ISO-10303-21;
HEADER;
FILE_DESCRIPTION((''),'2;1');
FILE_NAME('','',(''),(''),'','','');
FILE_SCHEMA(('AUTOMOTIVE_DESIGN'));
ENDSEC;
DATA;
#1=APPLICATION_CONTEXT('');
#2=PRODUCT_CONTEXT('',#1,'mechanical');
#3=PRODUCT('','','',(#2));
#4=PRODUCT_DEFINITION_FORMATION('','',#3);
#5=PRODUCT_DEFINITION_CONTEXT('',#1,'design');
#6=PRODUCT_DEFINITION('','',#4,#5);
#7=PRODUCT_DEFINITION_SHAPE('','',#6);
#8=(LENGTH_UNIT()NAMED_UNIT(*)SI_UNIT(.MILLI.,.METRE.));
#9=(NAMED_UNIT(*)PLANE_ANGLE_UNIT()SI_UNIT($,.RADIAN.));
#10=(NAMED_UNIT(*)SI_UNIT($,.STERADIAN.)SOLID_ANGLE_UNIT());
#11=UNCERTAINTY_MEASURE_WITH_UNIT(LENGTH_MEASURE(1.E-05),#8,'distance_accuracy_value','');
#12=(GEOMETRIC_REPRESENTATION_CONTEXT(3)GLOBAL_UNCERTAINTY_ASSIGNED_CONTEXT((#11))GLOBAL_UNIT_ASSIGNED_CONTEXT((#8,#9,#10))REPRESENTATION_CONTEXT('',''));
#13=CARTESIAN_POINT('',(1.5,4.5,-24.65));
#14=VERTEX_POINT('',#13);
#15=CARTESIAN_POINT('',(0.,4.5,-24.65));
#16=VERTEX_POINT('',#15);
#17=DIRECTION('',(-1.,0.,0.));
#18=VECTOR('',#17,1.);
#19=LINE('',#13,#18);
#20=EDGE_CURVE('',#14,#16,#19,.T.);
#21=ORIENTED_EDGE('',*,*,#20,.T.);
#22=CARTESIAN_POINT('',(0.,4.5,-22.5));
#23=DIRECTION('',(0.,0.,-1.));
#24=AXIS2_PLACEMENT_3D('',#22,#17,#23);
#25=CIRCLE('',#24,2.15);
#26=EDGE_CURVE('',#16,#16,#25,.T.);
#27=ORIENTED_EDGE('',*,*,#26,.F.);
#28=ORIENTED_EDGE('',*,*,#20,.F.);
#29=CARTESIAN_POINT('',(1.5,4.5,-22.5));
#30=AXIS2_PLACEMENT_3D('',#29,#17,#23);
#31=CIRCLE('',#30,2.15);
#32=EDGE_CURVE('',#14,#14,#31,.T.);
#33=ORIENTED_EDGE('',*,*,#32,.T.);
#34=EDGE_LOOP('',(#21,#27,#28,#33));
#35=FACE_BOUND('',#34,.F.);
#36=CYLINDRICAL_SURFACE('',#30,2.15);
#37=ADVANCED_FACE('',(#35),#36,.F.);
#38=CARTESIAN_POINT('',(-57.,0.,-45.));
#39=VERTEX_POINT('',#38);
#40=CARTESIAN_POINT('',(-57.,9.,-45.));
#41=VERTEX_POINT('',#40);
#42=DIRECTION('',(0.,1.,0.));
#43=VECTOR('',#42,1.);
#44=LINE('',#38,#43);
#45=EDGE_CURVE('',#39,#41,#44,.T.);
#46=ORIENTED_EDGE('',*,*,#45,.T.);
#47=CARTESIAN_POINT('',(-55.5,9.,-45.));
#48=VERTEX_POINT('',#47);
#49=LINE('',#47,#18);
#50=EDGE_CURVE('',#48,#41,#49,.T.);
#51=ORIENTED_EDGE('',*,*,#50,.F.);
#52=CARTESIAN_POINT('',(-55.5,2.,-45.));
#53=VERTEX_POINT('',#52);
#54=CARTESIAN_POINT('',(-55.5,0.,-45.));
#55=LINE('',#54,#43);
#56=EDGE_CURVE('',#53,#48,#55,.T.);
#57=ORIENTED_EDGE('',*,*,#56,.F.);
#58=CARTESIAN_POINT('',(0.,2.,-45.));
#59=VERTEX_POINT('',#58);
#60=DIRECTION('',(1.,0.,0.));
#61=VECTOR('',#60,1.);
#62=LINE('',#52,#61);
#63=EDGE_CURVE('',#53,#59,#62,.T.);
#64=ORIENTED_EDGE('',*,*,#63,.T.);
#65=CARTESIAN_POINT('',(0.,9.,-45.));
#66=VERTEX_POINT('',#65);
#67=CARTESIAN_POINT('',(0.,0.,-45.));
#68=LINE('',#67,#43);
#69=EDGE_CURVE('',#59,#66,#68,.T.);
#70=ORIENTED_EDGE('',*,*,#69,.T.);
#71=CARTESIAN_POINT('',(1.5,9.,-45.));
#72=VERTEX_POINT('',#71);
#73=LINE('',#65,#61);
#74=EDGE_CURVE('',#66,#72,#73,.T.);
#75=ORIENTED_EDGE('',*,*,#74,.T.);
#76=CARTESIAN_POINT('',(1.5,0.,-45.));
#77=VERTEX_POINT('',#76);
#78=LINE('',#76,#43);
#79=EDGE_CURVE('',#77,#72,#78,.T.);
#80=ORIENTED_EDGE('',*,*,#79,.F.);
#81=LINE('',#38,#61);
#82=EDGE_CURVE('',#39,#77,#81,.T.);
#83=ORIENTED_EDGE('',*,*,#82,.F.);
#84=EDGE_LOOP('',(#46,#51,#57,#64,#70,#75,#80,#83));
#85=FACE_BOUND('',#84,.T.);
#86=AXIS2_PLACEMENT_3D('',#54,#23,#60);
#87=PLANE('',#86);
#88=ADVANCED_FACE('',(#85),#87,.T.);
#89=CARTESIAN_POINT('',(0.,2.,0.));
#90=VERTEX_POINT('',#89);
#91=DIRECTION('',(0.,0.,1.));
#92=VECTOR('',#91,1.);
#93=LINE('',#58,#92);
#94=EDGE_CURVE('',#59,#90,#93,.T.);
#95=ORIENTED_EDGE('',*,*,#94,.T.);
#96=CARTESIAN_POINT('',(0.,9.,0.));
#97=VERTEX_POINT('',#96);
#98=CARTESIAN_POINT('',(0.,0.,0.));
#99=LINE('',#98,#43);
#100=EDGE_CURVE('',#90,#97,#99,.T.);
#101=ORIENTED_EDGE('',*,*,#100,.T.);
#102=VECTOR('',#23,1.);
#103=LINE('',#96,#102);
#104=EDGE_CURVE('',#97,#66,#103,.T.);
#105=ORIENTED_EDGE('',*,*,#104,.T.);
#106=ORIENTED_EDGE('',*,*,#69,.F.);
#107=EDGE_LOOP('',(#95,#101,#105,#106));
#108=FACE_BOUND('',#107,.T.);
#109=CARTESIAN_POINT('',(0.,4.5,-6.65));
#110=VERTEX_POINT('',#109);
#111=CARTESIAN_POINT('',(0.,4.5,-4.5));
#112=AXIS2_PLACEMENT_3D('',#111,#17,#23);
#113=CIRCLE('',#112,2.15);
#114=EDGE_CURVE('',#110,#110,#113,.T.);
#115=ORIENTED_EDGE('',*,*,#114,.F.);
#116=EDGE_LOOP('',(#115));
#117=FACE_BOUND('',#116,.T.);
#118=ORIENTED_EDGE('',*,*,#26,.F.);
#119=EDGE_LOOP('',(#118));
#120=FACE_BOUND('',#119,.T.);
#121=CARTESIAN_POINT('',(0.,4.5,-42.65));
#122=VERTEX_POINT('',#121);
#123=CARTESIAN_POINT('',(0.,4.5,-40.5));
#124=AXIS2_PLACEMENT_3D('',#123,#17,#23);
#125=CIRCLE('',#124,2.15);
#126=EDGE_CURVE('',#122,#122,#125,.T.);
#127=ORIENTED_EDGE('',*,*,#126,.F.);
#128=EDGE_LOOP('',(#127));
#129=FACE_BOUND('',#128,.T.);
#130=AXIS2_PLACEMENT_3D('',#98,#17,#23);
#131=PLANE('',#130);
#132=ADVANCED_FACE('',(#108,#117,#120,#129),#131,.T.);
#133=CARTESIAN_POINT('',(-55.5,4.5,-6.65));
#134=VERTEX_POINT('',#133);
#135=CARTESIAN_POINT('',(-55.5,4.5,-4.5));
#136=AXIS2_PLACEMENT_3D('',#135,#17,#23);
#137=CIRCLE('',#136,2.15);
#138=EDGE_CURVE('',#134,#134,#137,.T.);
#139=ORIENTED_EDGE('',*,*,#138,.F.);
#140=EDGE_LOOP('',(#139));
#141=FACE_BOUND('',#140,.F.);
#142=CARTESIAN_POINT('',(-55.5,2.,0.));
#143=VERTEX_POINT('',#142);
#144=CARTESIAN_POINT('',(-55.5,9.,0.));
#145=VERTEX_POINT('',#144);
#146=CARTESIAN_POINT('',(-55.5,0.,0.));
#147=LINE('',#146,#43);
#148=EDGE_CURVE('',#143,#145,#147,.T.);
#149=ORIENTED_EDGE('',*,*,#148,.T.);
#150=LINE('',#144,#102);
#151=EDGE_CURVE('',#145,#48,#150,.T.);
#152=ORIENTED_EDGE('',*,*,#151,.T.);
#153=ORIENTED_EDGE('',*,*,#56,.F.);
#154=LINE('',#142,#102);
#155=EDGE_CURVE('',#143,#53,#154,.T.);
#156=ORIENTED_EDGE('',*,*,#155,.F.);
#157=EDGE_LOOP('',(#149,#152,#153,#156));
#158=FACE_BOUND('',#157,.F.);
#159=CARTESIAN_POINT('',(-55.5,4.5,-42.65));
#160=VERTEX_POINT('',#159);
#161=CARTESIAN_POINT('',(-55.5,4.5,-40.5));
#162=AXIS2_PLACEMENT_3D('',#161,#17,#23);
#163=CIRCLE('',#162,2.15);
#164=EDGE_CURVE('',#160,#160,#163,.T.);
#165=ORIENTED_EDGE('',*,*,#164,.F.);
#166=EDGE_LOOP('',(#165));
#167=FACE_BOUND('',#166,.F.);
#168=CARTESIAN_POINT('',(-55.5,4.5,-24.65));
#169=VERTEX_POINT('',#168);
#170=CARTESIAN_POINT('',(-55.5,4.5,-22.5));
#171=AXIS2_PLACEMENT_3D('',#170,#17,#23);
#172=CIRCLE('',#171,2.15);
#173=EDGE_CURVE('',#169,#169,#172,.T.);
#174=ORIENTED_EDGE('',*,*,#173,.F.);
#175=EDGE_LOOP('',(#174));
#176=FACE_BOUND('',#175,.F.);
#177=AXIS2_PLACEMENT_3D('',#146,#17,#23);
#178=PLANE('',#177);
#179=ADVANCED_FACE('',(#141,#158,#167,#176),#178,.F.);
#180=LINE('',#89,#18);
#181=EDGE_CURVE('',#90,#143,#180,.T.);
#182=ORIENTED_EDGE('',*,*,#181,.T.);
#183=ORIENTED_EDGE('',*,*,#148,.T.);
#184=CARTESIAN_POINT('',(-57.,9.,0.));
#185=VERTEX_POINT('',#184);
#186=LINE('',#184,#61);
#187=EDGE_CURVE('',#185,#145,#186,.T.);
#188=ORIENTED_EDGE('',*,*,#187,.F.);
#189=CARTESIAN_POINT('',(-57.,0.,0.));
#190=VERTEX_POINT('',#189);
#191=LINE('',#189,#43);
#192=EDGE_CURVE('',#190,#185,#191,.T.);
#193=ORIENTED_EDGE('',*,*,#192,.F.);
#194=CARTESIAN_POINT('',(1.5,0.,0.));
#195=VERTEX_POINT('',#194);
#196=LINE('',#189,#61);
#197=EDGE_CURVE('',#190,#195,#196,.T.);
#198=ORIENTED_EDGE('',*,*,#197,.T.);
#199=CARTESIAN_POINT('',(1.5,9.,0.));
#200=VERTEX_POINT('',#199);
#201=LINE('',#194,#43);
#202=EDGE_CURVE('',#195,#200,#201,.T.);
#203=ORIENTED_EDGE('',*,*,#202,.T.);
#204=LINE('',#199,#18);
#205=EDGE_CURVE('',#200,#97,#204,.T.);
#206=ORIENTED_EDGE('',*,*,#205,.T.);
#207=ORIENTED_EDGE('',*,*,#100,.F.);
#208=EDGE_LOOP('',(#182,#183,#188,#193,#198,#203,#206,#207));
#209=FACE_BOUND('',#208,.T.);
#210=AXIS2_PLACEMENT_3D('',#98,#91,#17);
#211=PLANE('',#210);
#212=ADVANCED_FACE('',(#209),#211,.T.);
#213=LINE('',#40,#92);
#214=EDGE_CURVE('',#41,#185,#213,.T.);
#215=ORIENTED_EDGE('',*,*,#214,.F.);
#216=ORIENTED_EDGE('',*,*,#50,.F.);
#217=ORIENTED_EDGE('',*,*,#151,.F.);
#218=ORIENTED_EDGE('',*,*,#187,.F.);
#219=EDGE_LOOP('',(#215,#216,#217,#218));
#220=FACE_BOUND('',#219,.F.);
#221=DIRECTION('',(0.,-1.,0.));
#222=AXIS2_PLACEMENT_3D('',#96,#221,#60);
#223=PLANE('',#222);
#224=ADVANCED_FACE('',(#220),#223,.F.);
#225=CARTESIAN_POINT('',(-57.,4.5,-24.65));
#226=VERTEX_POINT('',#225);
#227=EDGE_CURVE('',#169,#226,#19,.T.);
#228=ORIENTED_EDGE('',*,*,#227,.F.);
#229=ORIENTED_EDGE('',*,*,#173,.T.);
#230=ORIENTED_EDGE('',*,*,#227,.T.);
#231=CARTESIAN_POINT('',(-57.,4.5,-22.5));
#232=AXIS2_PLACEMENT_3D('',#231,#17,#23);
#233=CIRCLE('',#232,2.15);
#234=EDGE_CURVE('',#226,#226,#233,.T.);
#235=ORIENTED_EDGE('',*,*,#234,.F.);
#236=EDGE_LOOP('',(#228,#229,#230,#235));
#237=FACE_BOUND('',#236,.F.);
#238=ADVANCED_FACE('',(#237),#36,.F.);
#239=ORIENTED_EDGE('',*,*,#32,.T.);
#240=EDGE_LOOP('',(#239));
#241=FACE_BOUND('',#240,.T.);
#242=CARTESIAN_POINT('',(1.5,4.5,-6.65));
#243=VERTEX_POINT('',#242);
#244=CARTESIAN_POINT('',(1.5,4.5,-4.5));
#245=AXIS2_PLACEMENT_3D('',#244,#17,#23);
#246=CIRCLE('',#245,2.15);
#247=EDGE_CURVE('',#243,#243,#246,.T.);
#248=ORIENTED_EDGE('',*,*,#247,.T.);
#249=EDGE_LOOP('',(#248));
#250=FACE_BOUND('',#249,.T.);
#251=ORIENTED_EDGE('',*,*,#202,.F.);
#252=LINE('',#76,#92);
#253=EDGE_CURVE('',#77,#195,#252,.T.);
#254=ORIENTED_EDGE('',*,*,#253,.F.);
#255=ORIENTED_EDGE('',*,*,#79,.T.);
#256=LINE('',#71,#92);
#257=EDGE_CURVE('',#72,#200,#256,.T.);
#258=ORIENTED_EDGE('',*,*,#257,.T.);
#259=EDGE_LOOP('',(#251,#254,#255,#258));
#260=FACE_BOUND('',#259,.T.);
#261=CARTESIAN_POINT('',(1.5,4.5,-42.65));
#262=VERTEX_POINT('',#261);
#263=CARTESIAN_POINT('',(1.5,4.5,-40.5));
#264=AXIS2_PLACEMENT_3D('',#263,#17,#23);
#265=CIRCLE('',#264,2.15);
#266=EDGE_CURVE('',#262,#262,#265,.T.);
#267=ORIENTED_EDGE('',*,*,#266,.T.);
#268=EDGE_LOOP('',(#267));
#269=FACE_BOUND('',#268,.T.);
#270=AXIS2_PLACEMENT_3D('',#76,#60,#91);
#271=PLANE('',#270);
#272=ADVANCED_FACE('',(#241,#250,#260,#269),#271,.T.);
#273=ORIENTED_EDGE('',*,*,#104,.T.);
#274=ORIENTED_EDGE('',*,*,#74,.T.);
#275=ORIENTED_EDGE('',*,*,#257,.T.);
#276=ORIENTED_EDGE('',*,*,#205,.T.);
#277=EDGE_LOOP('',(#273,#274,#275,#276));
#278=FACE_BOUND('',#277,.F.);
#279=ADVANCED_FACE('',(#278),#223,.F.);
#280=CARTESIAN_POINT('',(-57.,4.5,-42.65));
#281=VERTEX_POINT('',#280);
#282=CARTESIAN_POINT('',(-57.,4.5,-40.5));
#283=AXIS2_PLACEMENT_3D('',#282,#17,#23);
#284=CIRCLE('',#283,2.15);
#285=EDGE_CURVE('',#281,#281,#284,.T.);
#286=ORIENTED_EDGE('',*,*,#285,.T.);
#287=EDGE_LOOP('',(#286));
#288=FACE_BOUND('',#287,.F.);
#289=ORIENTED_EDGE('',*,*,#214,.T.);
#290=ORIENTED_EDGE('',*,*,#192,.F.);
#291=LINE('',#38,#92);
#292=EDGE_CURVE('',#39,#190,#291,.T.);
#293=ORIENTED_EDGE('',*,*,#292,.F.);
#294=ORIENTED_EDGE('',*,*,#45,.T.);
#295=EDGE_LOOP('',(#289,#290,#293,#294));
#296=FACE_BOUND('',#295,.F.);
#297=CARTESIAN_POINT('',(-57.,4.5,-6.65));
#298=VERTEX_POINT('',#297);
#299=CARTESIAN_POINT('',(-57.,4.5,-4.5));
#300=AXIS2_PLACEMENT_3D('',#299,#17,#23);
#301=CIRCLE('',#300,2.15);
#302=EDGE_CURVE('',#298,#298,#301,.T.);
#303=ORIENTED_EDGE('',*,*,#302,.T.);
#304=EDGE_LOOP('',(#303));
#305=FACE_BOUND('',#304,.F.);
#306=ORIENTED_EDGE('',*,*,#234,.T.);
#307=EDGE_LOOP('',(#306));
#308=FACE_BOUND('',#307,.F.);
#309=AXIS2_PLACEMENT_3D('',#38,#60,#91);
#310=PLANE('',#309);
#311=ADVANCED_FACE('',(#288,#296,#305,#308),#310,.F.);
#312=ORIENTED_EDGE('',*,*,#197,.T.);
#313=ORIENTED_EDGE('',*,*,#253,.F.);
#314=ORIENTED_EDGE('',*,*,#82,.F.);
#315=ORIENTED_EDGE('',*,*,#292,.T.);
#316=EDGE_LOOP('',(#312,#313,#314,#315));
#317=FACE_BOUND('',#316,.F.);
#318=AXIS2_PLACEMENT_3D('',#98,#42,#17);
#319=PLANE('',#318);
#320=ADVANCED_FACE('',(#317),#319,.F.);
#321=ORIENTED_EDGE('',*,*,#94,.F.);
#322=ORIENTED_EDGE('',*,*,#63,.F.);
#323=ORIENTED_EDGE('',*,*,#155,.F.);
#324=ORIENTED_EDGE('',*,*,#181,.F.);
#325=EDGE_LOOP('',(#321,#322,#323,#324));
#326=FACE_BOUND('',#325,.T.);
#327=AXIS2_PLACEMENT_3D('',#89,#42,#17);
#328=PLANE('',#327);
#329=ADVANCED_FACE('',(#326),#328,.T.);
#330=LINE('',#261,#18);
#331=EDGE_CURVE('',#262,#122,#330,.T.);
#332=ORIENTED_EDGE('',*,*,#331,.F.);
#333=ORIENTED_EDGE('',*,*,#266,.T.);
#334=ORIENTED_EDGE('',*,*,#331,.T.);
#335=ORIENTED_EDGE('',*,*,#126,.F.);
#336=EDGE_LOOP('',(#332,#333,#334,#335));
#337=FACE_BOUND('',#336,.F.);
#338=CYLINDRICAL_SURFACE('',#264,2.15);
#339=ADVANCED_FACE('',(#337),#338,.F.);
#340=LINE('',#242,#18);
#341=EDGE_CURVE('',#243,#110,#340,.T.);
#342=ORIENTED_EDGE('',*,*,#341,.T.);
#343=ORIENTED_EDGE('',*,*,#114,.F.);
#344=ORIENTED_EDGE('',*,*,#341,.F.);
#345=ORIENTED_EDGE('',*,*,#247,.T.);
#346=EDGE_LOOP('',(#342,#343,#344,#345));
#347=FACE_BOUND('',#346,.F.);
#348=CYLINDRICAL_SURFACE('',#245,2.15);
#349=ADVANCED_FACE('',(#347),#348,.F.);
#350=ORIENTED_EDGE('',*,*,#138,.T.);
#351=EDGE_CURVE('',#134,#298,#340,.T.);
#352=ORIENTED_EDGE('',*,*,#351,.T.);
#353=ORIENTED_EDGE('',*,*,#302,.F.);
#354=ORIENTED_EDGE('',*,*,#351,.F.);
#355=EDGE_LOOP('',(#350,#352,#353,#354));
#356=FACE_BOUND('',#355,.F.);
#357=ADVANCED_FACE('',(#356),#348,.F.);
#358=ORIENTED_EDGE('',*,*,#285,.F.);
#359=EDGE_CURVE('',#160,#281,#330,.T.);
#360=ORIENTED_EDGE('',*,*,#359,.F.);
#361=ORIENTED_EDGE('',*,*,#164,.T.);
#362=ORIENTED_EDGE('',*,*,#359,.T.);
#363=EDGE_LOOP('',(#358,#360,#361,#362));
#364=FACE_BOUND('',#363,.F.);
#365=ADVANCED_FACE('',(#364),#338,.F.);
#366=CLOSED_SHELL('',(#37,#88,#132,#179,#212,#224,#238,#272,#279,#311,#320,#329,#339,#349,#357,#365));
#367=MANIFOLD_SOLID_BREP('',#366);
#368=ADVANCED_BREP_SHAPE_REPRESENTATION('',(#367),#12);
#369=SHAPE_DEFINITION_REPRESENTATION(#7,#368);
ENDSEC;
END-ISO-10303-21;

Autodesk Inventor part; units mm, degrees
ref_plane "YZ Plane" through (0, 0, 0) normal (1, 0, 0) x (0, 1, 0)
ref_plane "XZ Plane" through (0, 0, 0) normal (0, 1, 0) x (-1, 0, 0)
ref_plane "XY Plane" through (0, 0, 0) normal (0, 0, 1) x (1, 0, 0)
sketch "Sketch1" plane through (0, 0, 0) normal (0, 1, 0) x (-1, 0, 0)
  line L0 (0, 0) -> (55.5, 0)
  line L1 (55.5, 0) -> (55.5, -45)
  line L2 (55.5, -45) -> (0, -45)
  line L3 (0, -45) -> (0, 0)
  dimension "d0" = 55.5
  dimension "d1" = 45
extrude "Extrusion1" add sketch "Sketch1" along normal blind 2
sketch "Sketch2" plane through (0, 0, 0) normal (0, -1, 0) x (1, 0, 0)
  line L0 (0, -45) -> (-55.5, -45) projected
  line L1 (-55.5, -45) -> (-57, -45)
  line L2 (-57, -45) -> (-57, 0)
  line L3 (-57, 0) -> (-55.5, 0)
  line L4 (-55.5, 0) -> (-55.5, -45)
  line L5 (0, 0) -> (0, -45) projected
  line L6 (0, -45) -> (1.5, -45)
  line L7 (1.5, -45) -> (1.5, 0)
  line L8 (1.5, 0) -> (0, 0)
  line L9 (0, 0) -> (0, -45)
  dimension "d4" = 1.5
  dimension "d5" = 1.5
extrude "Extrusion2" add sketch "Sketch2" against normal blind 9
sketch "Sketch3" plane through (1.5, 0, 0) normal (1, 0, 0) x (0, 0, -1)
  circle A0 centre (4.5, 4.5) radius 2.15
  line L0 (45, 0) -> (0, 0) projected
  line L1 (0, 0) -> (0, 9) projected
  circle A1 centre (40.5, 4.5) radius 2.15
  line L2 (45, 0) -> (45, 9) projected
  circle A2 centre (22.5, 4.5) radius 2.15
  dimension "d8" = 4.3
  dimension "d9" = 4.5
  dimension "d10" = 4.5
  dimension "d11" = 4.3
  dimension "d12" = 4.5
  dimension "d13" = 4.5
  dimension "d14" = 4.3
hole "Hole1" at (1.5, 4.5, -4.5) at (1.5, 4.5, -22.5) at (1.5, 4.5, -40.5) direction (-1, 0, 0) diameter 4.3 end through all
properties part number "TrolleyBottomPlate"
